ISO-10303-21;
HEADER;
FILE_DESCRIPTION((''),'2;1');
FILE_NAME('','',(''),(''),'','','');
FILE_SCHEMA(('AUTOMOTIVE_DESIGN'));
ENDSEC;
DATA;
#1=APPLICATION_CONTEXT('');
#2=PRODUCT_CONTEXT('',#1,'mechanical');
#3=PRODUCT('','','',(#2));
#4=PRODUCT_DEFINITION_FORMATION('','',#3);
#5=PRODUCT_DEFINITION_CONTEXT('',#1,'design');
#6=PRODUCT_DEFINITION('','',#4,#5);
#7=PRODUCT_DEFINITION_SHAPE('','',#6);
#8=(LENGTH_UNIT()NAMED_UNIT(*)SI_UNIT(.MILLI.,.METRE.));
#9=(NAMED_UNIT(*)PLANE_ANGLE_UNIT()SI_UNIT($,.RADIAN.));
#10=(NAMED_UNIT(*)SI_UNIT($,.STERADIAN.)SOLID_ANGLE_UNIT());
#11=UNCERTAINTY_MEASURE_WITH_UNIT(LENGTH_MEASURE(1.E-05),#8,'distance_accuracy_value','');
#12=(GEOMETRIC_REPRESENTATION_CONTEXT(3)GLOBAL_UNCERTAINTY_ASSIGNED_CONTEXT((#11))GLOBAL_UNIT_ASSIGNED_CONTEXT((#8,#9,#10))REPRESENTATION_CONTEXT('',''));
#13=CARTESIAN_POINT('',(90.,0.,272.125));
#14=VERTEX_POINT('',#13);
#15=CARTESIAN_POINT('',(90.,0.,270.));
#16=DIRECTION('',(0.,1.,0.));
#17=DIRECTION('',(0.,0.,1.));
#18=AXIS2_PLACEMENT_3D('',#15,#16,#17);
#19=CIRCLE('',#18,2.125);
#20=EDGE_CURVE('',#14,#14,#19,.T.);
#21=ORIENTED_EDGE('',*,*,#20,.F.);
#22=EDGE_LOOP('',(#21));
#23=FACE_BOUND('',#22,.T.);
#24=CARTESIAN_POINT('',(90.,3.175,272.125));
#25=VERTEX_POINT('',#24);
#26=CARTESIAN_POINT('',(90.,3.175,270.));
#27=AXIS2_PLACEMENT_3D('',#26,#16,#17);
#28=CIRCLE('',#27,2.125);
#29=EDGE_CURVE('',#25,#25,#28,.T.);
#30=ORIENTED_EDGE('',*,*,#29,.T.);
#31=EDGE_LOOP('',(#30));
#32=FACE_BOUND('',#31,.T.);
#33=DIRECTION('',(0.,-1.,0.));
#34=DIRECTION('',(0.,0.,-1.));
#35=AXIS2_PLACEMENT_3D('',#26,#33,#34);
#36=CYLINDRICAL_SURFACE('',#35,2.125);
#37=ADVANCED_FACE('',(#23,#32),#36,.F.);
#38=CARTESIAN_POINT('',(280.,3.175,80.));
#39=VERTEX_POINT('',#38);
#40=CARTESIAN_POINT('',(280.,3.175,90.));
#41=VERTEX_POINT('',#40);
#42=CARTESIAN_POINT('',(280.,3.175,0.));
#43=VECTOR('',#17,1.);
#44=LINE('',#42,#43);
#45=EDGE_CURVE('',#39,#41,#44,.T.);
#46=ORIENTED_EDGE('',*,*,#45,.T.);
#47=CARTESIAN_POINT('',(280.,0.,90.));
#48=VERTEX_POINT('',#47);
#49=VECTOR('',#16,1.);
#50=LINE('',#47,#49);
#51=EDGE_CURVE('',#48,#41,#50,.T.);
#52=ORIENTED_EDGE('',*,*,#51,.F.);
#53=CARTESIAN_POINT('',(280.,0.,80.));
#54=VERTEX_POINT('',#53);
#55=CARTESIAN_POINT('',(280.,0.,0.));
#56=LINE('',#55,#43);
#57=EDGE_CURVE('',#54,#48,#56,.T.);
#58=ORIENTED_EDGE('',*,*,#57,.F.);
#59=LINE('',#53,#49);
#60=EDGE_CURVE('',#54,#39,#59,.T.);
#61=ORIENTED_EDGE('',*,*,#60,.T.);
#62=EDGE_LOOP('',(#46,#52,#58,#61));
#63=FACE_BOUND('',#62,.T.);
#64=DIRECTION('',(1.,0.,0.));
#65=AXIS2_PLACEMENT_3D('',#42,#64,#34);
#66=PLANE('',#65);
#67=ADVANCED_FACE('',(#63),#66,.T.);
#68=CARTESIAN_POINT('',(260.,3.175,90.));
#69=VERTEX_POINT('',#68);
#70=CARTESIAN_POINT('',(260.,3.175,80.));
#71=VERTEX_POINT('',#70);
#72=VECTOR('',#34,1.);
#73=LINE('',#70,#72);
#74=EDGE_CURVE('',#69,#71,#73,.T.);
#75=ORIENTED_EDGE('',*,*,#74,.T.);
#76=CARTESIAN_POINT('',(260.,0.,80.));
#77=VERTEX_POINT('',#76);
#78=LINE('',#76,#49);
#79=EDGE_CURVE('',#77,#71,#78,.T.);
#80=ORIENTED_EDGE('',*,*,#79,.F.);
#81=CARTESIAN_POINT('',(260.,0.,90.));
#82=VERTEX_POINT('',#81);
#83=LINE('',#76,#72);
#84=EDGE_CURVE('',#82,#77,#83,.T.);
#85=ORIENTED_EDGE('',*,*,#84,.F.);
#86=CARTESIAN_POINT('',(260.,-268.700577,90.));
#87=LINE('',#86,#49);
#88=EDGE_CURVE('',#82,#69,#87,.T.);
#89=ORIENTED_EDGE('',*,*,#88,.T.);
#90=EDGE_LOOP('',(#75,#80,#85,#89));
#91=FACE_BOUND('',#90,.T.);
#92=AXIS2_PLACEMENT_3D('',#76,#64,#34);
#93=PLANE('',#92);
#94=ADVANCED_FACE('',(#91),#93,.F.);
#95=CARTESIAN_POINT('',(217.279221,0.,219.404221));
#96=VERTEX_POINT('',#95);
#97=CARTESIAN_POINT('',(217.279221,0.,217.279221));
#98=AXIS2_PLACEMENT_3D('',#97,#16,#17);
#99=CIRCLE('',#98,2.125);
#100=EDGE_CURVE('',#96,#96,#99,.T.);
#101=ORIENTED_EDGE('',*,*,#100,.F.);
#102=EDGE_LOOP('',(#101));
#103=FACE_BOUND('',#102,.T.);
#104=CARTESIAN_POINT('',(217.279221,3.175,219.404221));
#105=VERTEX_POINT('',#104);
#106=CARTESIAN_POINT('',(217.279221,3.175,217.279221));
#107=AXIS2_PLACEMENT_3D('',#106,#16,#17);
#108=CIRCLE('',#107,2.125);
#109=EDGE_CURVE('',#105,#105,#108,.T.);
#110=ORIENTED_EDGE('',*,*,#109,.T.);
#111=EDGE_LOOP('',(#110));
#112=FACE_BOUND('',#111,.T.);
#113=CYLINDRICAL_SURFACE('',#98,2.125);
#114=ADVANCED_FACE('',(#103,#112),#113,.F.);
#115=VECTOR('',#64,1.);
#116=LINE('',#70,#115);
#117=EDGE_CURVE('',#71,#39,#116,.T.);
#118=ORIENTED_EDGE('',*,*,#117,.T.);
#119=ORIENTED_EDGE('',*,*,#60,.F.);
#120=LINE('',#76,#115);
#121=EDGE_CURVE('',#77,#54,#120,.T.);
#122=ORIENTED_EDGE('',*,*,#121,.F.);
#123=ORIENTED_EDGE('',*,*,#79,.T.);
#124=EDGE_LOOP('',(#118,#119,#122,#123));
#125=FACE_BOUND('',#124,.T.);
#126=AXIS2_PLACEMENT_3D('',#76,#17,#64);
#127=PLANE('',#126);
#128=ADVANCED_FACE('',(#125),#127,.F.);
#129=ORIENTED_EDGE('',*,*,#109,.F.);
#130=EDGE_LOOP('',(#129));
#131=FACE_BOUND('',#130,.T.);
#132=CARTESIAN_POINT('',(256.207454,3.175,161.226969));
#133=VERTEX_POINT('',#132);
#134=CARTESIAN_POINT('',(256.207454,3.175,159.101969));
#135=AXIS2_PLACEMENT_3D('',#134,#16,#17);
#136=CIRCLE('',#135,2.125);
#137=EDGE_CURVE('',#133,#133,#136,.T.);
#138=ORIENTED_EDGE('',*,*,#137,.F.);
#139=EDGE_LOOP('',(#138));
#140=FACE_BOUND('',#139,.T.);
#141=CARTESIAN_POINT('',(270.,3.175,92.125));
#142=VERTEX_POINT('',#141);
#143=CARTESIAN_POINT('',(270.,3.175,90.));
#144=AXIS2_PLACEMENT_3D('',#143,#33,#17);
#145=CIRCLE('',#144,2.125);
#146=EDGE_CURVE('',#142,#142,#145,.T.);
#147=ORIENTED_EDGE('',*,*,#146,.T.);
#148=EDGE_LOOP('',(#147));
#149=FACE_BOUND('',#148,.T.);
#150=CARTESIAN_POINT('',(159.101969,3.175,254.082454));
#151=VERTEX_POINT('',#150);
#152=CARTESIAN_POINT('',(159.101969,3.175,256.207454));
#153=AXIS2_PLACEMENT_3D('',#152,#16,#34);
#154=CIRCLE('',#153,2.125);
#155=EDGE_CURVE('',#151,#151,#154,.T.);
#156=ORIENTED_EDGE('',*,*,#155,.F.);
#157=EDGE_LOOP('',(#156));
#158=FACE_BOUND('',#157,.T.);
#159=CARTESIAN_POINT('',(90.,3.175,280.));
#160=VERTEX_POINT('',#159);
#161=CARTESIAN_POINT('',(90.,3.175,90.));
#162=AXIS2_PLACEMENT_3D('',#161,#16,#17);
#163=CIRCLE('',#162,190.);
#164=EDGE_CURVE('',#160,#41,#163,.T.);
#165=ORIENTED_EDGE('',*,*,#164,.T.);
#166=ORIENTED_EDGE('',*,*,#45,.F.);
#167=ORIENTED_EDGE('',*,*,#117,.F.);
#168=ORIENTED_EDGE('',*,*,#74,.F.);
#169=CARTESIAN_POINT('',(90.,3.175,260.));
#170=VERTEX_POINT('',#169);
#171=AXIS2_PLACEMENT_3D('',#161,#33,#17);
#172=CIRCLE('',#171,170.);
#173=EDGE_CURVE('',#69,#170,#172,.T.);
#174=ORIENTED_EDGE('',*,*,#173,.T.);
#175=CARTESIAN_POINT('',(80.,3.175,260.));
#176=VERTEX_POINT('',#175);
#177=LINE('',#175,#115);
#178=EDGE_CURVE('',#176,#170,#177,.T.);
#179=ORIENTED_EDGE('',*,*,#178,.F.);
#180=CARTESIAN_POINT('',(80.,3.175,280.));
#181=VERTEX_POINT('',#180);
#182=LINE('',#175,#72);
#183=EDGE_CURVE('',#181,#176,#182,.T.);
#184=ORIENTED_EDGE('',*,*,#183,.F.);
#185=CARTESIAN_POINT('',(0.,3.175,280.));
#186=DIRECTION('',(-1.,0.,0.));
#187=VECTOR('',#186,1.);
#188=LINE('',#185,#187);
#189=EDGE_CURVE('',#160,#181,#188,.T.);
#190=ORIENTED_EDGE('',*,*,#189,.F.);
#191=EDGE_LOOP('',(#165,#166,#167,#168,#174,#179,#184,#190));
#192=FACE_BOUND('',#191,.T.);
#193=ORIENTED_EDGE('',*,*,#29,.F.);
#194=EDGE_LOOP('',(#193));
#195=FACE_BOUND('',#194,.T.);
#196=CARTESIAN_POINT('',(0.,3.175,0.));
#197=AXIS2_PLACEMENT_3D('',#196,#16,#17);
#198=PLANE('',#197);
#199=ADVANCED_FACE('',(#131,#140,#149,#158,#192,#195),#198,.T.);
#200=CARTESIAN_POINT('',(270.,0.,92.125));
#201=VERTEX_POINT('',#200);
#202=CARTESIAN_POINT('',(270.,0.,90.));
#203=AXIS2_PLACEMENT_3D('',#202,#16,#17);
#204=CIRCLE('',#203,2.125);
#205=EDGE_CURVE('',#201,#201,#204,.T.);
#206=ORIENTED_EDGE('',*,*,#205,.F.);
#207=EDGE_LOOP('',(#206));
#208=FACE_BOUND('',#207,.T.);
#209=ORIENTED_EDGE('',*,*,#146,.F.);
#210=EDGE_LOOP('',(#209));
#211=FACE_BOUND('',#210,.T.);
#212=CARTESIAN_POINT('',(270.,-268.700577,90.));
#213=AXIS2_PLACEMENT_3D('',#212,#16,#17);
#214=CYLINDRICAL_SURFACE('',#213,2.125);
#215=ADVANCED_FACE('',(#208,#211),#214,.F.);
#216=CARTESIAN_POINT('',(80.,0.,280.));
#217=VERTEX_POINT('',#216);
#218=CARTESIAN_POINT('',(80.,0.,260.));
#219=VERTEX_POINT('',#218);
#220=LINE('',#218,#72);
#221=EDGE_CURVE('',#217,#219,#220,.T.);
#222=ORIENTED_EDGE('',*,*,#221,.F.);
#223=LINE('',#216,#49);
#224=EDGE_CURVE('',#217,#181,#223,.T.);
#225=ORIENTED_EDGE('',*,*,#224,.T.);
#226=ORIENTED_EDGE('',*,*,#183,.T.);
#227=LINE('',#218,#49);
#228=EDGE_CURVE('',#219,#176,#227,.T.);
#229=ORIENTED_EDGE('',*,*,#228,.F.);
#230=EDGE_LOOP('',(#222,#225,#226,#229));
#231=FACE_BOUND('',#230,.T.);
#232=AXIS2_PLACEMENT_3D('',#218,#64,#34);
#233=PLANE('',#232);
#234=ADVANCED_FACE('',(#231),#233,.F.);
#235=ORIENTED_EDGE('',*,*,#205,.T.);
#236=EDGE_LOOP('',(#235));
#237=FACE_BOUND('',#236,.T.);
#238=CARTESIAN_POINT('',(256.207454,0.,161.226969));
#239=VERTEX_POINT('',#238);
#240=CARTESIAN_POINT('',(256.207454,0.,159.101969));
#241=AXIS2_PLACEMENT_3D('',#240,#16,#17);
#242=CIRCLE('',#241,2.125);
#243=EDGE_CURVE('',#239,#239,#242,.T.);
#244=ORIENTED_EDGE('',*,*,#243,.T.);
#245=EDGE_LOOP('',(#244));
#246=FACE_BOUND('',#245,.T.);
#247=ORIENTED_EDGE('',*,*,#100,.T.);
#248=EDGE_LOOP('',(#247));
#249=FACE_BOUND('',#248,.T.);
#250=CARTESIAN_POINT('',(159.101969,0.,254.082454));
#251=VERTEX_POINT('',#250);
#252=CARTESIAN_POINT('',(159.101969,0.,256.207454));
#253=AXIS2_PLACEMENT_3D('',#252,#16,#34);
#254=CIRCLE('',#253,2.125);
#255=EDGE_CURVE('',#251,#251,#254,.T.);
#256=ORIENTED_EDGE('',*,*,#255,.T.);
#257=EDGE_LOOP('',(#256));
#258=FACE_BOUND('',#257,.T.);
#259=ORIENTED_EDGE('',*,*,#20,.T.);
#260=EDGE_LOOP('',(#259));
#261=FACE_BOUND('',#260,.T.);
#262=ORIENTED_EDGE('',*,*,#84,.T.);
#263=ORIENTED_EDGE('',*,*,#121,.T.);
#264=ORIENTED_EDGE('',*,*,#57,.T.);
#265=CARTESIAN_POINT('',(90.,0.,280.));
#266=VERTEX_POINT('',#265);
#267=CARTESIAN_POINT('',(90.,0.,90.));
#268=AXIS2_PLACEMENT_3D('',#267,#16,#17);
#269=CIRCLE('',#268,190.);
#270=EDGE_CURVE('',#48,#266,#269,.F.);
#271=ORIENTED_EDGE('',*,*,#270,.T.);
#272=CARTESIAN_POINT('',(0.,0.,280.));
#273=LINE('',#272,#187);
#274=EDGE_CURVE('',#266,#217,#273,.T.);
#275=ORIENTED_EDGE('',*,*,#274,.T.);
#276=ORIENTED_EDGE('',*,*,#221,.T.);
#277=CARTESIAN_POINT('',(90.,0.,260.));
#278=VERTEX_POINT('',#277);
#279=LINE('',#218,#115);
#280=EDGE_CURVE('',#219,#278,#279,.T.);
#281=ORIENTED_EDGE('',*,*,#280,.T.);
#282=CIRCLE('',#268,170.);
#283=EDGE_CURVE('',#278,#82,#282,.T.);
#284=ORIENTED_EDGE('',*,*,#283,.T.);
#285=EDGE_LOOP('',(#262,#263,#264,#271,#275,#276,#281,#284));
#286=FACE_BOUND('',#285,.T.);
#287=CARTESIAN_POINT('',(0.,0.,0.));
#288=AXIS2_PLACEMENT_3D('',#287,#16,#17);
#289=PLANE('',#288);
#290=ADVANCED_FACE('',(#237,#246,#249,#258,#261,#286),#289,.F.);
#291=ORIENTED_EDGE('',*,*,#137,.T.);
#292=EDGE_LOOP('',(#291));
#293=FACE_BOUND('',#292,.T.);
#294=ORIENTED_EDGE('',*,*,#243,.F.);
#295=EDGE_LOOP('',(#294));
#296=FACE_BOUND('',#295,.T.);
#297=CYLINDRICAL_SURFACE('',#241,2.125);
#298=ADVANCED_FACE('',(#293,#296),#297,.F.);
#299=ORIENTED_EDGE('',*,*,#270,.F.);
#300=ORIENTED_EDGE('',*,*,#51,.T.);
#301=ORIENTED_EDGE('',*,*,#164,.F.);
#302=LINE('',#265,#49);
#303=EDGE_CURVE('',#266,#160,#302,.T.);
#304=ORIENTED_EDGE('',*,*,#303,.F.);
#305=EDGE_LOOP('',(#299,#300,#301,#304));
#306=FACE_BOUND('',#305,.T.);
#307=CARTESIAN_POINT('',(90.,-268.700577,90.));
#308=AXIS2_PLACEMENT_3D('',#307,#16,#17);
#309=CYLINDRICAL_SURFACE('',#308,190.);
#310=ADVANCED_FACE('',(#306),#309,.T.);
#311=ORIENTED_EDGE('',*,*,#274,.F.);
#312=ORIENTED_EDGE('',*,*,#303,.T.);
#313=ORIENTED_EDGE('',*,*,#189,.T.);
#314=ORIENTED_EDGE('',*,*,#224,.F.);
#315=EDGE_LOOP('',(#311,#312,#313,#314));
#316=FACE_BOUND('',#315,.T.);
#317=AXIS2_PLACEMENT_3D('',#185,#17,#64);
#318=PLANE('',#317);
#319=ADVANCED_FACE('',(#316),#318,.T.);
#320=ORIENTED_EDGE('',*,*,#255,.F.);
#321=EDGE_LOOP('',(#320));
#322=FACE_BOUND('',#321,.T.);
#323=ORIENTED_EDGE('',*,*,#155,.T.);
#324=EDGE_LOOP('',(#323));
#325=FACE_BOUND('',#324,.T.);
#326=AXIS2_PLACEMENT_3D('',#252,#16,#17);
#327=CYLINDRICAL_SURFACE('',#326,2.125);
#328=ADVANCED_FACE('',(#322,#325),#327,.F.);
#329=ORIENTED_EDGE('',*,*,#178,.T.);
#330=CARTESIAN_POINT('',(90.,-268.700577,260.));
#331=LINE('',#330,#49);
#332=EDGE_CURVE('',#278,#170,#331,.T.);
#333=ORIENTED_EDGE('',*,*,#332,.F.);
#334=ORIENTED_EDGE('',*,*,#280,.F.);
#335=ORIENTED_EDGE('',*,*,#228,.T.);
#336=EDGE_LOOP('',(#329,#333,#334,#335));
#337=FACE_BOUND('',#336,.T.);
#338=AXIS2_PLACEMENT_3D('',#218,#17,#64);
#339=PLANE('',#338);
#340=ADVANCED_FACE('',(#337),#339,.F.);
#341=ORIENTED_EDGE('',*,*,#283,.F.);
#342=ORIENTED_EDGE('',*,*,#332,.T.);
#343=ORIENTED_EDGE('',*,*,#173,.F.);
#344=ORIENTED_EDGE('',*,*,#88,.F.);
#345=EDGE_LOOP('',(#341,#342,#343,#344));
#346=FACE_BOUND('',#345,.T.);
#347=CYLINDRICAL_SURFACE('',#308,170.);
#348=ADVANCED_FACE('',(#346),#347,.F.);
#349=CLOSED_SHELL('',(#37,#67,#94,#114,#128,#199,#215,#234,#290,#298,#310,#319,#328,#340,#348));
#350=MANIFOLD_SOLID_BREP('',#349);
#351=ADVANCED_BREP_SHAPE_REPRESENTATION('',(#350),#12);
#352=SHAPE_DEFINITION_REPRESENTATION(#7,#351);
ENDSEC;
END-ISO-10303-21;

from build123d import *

# Parameters (mm, degrees)
SKETCH1_R           = 2.125
BOSS_EXTRUDE1_DEPTH = 3.175
CUT_EXTRUDE1_DEPTH  = 396.992525971
BOSS_EXTRUDE2_DEPTH = 3.175
SKETCH4_R           = 2.125
CUT_EXTRUDE2_DEPTH  = 396.992525971


with BuildPart() as part:
    # Sketch1 → Boss-Extrude1 (new body)
    with BuildSketch(Plane(origin=(0, 0, 0), x_dir=(1, 0, 0), z_dir=(0, 1, 0))):
        Polygon((0, -280), (100, -280), (100, -209.601551084), (209.601551084, -100), (280, -100), (280, 0), (280, 100), (209.601551084, 100), (100, 209.601551084), (100, 280), (0, 280), (-100, 280), (-100, 209.601551084), (-209.601551084, 100), (-280, 100), (-280, 0), (-280, -100), (-209.601551084, -100), (-100, -209.601551084), (-100, -280), align=None)
        with Locations(Location((-47.5, -192, 0), (0, 0, 270))):
            Circle(SKETCH1_R, mode=Mode.SUBTRACT)
        with Locations(Location((-47.5, -217, 0), (0, 0, 270))):
            Circle(SKETCH1_R, mode=Mode.SUBTRACT)
        with Locations(Location((47.5, -217, 0), (0, 0, 270))):
            Circle(SKETCH1_R, mode=Mode.SUBTRACT)
        with Locations(Location((47.5, -192, 0), (0, 0, 270))):
            Circle(SKETCH1_R, mode=Mode.SUBTRACT)
        with Locations(Location((-192, 47.5, 0), (0, 0, 270))):
            Circle(SKETCH1_R, mode=Mode.SUBTRACT)
        with Locations(Location((-217, 47.5, 0), (0, 0, 270))):
            Circle(SKETCH1_R, mode=Mode.SUBTRACT)
        with Locations(Location((-192, -47.5, 0), (0, 0, 270))):
            Circle(SKETCH1_R, mode=Mode.SUBTRACT)
        with Locations(Location((-217, -47.5, 0), (0, 0, 270))):
            Circle(SKETCH1_R, mode=Mode.SUBTRACT)
        with Locations(Location((47.5, 192, 0), (0, 0, 270))):
            Circle(SKETCH1_R, mode=Mode.SUBTRACT)
        with Locations(Location((47.5, 217, 0), (0, 0, 270))):
            Circle(SKETCH1_R, mode=Mode.SUBTRACT)
        with Locations(Location((-47.5, 192, 0), (0, 0, 270))):
            Circle(SKETCH1_R, mode=Mode.SUBTRACT)
        with Locations(Location((-47.5, 217, 0), (0, 0, 270))):
            Circle(SKETCH1_R, mode=Mode.SUBTRACT)
        with Locations(Location((192, -47.5, 0), (0, 0, 270))):
            Circle(SKETCH1_R, mode=Mode.SUBTRACT)
        with Locations(Location((217, -47.5, 0), (0, 0, 270))):
            Circle(SKETCH1_R, mode=Mode.SUBTRACT)
        with Locations(Location((192, 47.5, 0), (0, 0, 270))):
            Circle(SKETCH1_R, mode=Mode.SUBTRACT)
        with Locations(Location((217, 47.5, 0), (0, 0, 270))):
            Circle(SKETCH1_R, mode=Mode.SUBTRACT)
        with Locations(Location((-90, -270, 0), (0, 0, 270))):
            Circle(SKETCH1_R, mode=Mode.SUBTRACT)
        with Locations(Location((-30, -270, 0), (0, 0, 270))):
            Circle(SKETCH1_R, mode=Mode.SUBTRACT)
        with Locations(Location((30, -270, 0), (0, 0, 270))):
            Circle(SKETCH1_R, mode=Mode.SUBTRACT)
        with Locations(Location((90, -270, 0), (0, 0, 270))):
            Circle(SKETCH1_R, mode=Mode.SUBTRACT)
        with Locations(Location((-270, 90, 0), (0, 0, 270))):
            Circle(SKETCH1_R, mode=Mode.SUBTRACT)
        with Locations(Location((-270, 30, 0), (0, 0, 270))):
            Circle(SKETCH1_R, mode=Mode.SUBTRACT)
        with Locations(Location((-270, -30, 0), (0, 0, 270))):
            Circle(SKETCH1_R, mode=Mode.SUBTRACT)
        with Locations(Location((-270, -90, 0), (0, 0, 270))):
            Circle(SKETCH1_R, mode=Mode.SUBTRACT)
        with Locations(Location((90, 270, 0), (0, 0, 270))):
            Circle(SKETCH1_R, mode=Mode.SUBTRACT)
        with Locations(Location((30, 270, 0), (0, 0, 270))):
            Circle(SKETCH1_R, mode=Mode.SUBTRACT)
        with Locations(Location((-30, 270, 0), (0, 0, 270))):
            Circle(SKETCH1_R, mode=Mode.SUBTRACT)
        with Locations(Location((-90, 270, 0), (0, 0, 270))):
            Circle(SKETCH1_R, mode=Mode.SUBTRACT)
        with Locations(Location((270, -90, 0), (0, 0, 270))):
            Circle(SKETCH1_R, mode=Mode.SUBTRACT)
        with Locations(Location((270, -30, 0), (0, 0, 270))):
            Circle(SKETCH1_R, mode=Mode.SUBTRACT)
        with Locations(Location((270, 30, 0), (0, 0, 270))):
            Circle(SKETCH1_R, mode=Mode.SUBTRACT)
        with Locations(Location((270, 90, 0), (0, 0, 270))):
            Circle(SKETCH1_R, mode=Mode.SUBTRACT)
        with Locations(Location((-90, -250, 0), (0, 0, 270))):
            Circle(SKETCH1_R, mode=Mode.SUBTRACT)
        with Locations(Location((-90, -180, 0), (0, 0, 270))):
            Circle(SKETCH1_R, mode=Mode.SUBTRACT)
        with Locations(Location((-90, -110, 0), (0, 0, 270))):
            Circle(SKETCH1_R, mode=Mode.SUBTRACT)
        with Locations(Location((-90, -40, 0), (0, 0, 270))):
            Circle(SKETCH1_R, mode=Mode.SUBTRACT)
        with Locations(Location((-90, 30, 0), (0, 0, 270))):
            Circle(SKETCH1_R, mode=Mode.SUBTRACT)
        with Locations(Location((-90, 50, 0), (0, 0, 270))):
            Circle(SKETCH1_R, mode=Mode.SUBTRACT)
        with Locations(Location((-90, 150, 0), (0, 0, 270))):
            Circle(SKETCH1_R, mode=Mode.SUBTRACT)
        with Locations(Location((-90, 250, 0), (0, 0, 270))):
            Circle(SKETCH1_R, mode=Mode.SUBTRACT)
        with Locations(Location((90, -250, 0), (0, 0, 270))):
            Circle(SKETCH1_R, mode=Mode.SUBTRACT)
        with Locations(Location((90, -180, 0), (0, 0, 270))):
            Circle(SKETCH1_R, mode=Mode.SUBTRACT)
        with Locations(Location((90, -110, 0), (0, 0, 270))):
            Circle(SKETCH1_R, mode=Mode.SUBTRACT)
        with Locations(Location((90, -40, 0), (0, 0, 270))):
            Circle(SKETCH1_R, mode=Mode.SUBTRACT)
        with Locations(Location((90, 30, 0), (0, 0, 270))):
            Circle(SKETCH1_R, mode=Mode.SUBTRACT)
        with Locations(Location((90, 50, 0), (0, 0, 270))):
            Circle(SKETCH1_R, mode=Mode.SUBTRACT)
        with Locations(Location((90, 150, 0), (0, 0, 270))):
            Circle(SKETCH1_R, mode=Mode.SUBTRACT)
        with Locations(Location((90, 250, 0), (0, 0, 270))):
            Circle(SKETCH1_R, mode=Mode.SUBTRACT)
        with Locations(Location((-250, -90, 0), (0, 0, 270))):
            Circle(SKETCH1_R, mode=Mode.SUBTRACT)
        with Locations(Location((-180, -90, 0), (0, 0, 270))):
            Circle(SKETCH1_R, mode=Mode.SUBTRACT)
        with Locations(Location((-110, -90, 0), (0, 0, 270))):
            Circle(SKETCH1_R, mode=Mode.SUBTRACT)
        with Locations(Location((-110, 90, 0), (0, 0, 270))):
            Circle(SKETCH1_R, mode=Mode.SUBTRACT)
        with Locations(Location((-180, 90, 0), (0, 0, 270))):
            Circle(SKETCH1_R, mode=Mode.SUBTRACT)
        with Locations(Location((-250, 90, 0), (0, 0, 270))):
            Circle(SKETCH1_R, mode=Mode.SUBTRACT)
        with Locations(Location((110, -90, 0), (0, 0, 270))):
            Circle(SKETCH1_R, mode=Mode.SUBTRACT)
        with Locations(Location((180, -90, 0), (0, 0, 270))):
            Circle(SKETCH1_R, mode=Mode.SUBTRACT)
        with Locations(Location((250, -90, 0), (0, 0, 270))):
            Circle(SKETCH1_R, mode=Mode.SUBTRACT)
        with Locations(Location((110, 90, 0), (0, 0, 270))):
            Circle(SKETCH1_R, mode=Mode.SUBTRACT)
        with Locations(Location((180, 90, 0), (0, 0, 270))):
            Circle(SKETCH1_R, mode=Mode.SUBTRACT)
        with Locations(Location((250, 90, 0), (0, 0, 270))):
            Circle(SKETCH1_R, mode=Mode.SUBTRACT)
    extrude(amount=BOSS_EXTRUDE1_DEPTH)

    # Sketch2 → Cut-Extrude1 (cut, through all)
    with BuildSketch(Plane(origin=(0, 3.175, 0), x_dir=(1, 0, 0), z_dir=(0, 1, 0))):
        Polygon((80, -260), (100, -260), (100, -209.601551084), (209.601551084, -100), (260, -100), (260, -80), (280, -80), (280, 100), (209.601551084, 100), (100, 209.601551084), (100, 280), (-100, 280), (-100, 209.601551084), (-209.601551084, 100), (-280, 100), (-280, -100), (-209.601551084, -100), (-100, -209.601551084), (-100, -280), (80, -280), align=None)
    extrude(amount=-CUT_EXTRUDE1_DEPTH, mode=Mode.SUBTRACT)


with BuildPart() as cut_extrude1_piece_1:
    # of the separate pieces the step leaves, piece 1, a body of its own (cut_extrude1_pieces)
    add(part.part.solids().sort_by_distance((100, 0, 280))[0])



with BuildPart() as cut_extrude1_piece_2:
    # of the separate pieces the step leaves, piece 2, a body of its own (cut_extrude1_pieces)
    add(part.part.solids().sort_by_distance((260, 3.175, 100))[0])


with BuildPart() as cut_extrude1_piece_1_1:
    add(cut_extrude1_piece_1.part)

    add(cut_extrude1_piece_2.part)  # Boss-Extrude2 merges Cut-Extrude1 piece 2
    # Sketch3 → Boss-Extrude2 (add)
    with BuildSketch(Plane(origin=(0, 3.175, 0), x_dir=(1, 0, 0), z_dir=(0, 1, 0))):
        with BuildLine():
            Line((260, -90), (267.875, -90))
            ThreePointArc((267.875, -90), (270, -92.125), (272.125, -90))
            Line((272.125, -90), (280, -90))
            ThreePointArc((280, -90), (224.350288425, -224.350288425), (90, -280))
            Line((90, -280), (90, -272.125))
            ThreePointArc((90, -272.125), (92.125, -270), (90, -267.875))
            Line((90, -267.875), (90, -260))
            ThreePointArc((90, -260), (210.208152802, -210.208152802), (260, -90))
        make_face()
    extrude(amount=-BOSS_EXTRUDE2_DEPTH)

    # Sketch4 → Cut-Extrude2 (cut, through all)
    with BuildSketch(Plane(origin=(0, 3.175, 0), x_dir=(1, 0, 0), z_dir=(0, 1, 0))):
        with Locations(Location((217.279220614, -217.279220614, 0), (0, 0, 270))):
            Circle(SKETCH4_R)
        with Locations(Location((256.207454383, -159.101968912, 0), (0, 0, 270))):
            Circle(SKETCH4_R)
        with Locations(Location((159.101968912, -256.207454383, 0), (0, 0, 90))):
            Circle(SKETCH4_R)
        with BuildLine():
            Line((100, -280), (90, -280))
            ThreePointArc((90, -280), (95.001733404, -279.934153493), (100, -279.73665961))
            Line((100, -279.73665961), (100, -280))
        make_face()
        with BuildLine():
            Line((279.73665961, -100), (284.415704741, -100))
            Line((284.415704741, -100), (280, -90))
            ThreePointArc((280, -90), (279.934153493, -95.001733404), (279.73665961, -100))
        make_face()
    extrude(amount=-CUT_EXTRUDE2_DEPTH, mode=Mode.SUBTRACT)


solid = cut_extrude1_piece_1_1.part
